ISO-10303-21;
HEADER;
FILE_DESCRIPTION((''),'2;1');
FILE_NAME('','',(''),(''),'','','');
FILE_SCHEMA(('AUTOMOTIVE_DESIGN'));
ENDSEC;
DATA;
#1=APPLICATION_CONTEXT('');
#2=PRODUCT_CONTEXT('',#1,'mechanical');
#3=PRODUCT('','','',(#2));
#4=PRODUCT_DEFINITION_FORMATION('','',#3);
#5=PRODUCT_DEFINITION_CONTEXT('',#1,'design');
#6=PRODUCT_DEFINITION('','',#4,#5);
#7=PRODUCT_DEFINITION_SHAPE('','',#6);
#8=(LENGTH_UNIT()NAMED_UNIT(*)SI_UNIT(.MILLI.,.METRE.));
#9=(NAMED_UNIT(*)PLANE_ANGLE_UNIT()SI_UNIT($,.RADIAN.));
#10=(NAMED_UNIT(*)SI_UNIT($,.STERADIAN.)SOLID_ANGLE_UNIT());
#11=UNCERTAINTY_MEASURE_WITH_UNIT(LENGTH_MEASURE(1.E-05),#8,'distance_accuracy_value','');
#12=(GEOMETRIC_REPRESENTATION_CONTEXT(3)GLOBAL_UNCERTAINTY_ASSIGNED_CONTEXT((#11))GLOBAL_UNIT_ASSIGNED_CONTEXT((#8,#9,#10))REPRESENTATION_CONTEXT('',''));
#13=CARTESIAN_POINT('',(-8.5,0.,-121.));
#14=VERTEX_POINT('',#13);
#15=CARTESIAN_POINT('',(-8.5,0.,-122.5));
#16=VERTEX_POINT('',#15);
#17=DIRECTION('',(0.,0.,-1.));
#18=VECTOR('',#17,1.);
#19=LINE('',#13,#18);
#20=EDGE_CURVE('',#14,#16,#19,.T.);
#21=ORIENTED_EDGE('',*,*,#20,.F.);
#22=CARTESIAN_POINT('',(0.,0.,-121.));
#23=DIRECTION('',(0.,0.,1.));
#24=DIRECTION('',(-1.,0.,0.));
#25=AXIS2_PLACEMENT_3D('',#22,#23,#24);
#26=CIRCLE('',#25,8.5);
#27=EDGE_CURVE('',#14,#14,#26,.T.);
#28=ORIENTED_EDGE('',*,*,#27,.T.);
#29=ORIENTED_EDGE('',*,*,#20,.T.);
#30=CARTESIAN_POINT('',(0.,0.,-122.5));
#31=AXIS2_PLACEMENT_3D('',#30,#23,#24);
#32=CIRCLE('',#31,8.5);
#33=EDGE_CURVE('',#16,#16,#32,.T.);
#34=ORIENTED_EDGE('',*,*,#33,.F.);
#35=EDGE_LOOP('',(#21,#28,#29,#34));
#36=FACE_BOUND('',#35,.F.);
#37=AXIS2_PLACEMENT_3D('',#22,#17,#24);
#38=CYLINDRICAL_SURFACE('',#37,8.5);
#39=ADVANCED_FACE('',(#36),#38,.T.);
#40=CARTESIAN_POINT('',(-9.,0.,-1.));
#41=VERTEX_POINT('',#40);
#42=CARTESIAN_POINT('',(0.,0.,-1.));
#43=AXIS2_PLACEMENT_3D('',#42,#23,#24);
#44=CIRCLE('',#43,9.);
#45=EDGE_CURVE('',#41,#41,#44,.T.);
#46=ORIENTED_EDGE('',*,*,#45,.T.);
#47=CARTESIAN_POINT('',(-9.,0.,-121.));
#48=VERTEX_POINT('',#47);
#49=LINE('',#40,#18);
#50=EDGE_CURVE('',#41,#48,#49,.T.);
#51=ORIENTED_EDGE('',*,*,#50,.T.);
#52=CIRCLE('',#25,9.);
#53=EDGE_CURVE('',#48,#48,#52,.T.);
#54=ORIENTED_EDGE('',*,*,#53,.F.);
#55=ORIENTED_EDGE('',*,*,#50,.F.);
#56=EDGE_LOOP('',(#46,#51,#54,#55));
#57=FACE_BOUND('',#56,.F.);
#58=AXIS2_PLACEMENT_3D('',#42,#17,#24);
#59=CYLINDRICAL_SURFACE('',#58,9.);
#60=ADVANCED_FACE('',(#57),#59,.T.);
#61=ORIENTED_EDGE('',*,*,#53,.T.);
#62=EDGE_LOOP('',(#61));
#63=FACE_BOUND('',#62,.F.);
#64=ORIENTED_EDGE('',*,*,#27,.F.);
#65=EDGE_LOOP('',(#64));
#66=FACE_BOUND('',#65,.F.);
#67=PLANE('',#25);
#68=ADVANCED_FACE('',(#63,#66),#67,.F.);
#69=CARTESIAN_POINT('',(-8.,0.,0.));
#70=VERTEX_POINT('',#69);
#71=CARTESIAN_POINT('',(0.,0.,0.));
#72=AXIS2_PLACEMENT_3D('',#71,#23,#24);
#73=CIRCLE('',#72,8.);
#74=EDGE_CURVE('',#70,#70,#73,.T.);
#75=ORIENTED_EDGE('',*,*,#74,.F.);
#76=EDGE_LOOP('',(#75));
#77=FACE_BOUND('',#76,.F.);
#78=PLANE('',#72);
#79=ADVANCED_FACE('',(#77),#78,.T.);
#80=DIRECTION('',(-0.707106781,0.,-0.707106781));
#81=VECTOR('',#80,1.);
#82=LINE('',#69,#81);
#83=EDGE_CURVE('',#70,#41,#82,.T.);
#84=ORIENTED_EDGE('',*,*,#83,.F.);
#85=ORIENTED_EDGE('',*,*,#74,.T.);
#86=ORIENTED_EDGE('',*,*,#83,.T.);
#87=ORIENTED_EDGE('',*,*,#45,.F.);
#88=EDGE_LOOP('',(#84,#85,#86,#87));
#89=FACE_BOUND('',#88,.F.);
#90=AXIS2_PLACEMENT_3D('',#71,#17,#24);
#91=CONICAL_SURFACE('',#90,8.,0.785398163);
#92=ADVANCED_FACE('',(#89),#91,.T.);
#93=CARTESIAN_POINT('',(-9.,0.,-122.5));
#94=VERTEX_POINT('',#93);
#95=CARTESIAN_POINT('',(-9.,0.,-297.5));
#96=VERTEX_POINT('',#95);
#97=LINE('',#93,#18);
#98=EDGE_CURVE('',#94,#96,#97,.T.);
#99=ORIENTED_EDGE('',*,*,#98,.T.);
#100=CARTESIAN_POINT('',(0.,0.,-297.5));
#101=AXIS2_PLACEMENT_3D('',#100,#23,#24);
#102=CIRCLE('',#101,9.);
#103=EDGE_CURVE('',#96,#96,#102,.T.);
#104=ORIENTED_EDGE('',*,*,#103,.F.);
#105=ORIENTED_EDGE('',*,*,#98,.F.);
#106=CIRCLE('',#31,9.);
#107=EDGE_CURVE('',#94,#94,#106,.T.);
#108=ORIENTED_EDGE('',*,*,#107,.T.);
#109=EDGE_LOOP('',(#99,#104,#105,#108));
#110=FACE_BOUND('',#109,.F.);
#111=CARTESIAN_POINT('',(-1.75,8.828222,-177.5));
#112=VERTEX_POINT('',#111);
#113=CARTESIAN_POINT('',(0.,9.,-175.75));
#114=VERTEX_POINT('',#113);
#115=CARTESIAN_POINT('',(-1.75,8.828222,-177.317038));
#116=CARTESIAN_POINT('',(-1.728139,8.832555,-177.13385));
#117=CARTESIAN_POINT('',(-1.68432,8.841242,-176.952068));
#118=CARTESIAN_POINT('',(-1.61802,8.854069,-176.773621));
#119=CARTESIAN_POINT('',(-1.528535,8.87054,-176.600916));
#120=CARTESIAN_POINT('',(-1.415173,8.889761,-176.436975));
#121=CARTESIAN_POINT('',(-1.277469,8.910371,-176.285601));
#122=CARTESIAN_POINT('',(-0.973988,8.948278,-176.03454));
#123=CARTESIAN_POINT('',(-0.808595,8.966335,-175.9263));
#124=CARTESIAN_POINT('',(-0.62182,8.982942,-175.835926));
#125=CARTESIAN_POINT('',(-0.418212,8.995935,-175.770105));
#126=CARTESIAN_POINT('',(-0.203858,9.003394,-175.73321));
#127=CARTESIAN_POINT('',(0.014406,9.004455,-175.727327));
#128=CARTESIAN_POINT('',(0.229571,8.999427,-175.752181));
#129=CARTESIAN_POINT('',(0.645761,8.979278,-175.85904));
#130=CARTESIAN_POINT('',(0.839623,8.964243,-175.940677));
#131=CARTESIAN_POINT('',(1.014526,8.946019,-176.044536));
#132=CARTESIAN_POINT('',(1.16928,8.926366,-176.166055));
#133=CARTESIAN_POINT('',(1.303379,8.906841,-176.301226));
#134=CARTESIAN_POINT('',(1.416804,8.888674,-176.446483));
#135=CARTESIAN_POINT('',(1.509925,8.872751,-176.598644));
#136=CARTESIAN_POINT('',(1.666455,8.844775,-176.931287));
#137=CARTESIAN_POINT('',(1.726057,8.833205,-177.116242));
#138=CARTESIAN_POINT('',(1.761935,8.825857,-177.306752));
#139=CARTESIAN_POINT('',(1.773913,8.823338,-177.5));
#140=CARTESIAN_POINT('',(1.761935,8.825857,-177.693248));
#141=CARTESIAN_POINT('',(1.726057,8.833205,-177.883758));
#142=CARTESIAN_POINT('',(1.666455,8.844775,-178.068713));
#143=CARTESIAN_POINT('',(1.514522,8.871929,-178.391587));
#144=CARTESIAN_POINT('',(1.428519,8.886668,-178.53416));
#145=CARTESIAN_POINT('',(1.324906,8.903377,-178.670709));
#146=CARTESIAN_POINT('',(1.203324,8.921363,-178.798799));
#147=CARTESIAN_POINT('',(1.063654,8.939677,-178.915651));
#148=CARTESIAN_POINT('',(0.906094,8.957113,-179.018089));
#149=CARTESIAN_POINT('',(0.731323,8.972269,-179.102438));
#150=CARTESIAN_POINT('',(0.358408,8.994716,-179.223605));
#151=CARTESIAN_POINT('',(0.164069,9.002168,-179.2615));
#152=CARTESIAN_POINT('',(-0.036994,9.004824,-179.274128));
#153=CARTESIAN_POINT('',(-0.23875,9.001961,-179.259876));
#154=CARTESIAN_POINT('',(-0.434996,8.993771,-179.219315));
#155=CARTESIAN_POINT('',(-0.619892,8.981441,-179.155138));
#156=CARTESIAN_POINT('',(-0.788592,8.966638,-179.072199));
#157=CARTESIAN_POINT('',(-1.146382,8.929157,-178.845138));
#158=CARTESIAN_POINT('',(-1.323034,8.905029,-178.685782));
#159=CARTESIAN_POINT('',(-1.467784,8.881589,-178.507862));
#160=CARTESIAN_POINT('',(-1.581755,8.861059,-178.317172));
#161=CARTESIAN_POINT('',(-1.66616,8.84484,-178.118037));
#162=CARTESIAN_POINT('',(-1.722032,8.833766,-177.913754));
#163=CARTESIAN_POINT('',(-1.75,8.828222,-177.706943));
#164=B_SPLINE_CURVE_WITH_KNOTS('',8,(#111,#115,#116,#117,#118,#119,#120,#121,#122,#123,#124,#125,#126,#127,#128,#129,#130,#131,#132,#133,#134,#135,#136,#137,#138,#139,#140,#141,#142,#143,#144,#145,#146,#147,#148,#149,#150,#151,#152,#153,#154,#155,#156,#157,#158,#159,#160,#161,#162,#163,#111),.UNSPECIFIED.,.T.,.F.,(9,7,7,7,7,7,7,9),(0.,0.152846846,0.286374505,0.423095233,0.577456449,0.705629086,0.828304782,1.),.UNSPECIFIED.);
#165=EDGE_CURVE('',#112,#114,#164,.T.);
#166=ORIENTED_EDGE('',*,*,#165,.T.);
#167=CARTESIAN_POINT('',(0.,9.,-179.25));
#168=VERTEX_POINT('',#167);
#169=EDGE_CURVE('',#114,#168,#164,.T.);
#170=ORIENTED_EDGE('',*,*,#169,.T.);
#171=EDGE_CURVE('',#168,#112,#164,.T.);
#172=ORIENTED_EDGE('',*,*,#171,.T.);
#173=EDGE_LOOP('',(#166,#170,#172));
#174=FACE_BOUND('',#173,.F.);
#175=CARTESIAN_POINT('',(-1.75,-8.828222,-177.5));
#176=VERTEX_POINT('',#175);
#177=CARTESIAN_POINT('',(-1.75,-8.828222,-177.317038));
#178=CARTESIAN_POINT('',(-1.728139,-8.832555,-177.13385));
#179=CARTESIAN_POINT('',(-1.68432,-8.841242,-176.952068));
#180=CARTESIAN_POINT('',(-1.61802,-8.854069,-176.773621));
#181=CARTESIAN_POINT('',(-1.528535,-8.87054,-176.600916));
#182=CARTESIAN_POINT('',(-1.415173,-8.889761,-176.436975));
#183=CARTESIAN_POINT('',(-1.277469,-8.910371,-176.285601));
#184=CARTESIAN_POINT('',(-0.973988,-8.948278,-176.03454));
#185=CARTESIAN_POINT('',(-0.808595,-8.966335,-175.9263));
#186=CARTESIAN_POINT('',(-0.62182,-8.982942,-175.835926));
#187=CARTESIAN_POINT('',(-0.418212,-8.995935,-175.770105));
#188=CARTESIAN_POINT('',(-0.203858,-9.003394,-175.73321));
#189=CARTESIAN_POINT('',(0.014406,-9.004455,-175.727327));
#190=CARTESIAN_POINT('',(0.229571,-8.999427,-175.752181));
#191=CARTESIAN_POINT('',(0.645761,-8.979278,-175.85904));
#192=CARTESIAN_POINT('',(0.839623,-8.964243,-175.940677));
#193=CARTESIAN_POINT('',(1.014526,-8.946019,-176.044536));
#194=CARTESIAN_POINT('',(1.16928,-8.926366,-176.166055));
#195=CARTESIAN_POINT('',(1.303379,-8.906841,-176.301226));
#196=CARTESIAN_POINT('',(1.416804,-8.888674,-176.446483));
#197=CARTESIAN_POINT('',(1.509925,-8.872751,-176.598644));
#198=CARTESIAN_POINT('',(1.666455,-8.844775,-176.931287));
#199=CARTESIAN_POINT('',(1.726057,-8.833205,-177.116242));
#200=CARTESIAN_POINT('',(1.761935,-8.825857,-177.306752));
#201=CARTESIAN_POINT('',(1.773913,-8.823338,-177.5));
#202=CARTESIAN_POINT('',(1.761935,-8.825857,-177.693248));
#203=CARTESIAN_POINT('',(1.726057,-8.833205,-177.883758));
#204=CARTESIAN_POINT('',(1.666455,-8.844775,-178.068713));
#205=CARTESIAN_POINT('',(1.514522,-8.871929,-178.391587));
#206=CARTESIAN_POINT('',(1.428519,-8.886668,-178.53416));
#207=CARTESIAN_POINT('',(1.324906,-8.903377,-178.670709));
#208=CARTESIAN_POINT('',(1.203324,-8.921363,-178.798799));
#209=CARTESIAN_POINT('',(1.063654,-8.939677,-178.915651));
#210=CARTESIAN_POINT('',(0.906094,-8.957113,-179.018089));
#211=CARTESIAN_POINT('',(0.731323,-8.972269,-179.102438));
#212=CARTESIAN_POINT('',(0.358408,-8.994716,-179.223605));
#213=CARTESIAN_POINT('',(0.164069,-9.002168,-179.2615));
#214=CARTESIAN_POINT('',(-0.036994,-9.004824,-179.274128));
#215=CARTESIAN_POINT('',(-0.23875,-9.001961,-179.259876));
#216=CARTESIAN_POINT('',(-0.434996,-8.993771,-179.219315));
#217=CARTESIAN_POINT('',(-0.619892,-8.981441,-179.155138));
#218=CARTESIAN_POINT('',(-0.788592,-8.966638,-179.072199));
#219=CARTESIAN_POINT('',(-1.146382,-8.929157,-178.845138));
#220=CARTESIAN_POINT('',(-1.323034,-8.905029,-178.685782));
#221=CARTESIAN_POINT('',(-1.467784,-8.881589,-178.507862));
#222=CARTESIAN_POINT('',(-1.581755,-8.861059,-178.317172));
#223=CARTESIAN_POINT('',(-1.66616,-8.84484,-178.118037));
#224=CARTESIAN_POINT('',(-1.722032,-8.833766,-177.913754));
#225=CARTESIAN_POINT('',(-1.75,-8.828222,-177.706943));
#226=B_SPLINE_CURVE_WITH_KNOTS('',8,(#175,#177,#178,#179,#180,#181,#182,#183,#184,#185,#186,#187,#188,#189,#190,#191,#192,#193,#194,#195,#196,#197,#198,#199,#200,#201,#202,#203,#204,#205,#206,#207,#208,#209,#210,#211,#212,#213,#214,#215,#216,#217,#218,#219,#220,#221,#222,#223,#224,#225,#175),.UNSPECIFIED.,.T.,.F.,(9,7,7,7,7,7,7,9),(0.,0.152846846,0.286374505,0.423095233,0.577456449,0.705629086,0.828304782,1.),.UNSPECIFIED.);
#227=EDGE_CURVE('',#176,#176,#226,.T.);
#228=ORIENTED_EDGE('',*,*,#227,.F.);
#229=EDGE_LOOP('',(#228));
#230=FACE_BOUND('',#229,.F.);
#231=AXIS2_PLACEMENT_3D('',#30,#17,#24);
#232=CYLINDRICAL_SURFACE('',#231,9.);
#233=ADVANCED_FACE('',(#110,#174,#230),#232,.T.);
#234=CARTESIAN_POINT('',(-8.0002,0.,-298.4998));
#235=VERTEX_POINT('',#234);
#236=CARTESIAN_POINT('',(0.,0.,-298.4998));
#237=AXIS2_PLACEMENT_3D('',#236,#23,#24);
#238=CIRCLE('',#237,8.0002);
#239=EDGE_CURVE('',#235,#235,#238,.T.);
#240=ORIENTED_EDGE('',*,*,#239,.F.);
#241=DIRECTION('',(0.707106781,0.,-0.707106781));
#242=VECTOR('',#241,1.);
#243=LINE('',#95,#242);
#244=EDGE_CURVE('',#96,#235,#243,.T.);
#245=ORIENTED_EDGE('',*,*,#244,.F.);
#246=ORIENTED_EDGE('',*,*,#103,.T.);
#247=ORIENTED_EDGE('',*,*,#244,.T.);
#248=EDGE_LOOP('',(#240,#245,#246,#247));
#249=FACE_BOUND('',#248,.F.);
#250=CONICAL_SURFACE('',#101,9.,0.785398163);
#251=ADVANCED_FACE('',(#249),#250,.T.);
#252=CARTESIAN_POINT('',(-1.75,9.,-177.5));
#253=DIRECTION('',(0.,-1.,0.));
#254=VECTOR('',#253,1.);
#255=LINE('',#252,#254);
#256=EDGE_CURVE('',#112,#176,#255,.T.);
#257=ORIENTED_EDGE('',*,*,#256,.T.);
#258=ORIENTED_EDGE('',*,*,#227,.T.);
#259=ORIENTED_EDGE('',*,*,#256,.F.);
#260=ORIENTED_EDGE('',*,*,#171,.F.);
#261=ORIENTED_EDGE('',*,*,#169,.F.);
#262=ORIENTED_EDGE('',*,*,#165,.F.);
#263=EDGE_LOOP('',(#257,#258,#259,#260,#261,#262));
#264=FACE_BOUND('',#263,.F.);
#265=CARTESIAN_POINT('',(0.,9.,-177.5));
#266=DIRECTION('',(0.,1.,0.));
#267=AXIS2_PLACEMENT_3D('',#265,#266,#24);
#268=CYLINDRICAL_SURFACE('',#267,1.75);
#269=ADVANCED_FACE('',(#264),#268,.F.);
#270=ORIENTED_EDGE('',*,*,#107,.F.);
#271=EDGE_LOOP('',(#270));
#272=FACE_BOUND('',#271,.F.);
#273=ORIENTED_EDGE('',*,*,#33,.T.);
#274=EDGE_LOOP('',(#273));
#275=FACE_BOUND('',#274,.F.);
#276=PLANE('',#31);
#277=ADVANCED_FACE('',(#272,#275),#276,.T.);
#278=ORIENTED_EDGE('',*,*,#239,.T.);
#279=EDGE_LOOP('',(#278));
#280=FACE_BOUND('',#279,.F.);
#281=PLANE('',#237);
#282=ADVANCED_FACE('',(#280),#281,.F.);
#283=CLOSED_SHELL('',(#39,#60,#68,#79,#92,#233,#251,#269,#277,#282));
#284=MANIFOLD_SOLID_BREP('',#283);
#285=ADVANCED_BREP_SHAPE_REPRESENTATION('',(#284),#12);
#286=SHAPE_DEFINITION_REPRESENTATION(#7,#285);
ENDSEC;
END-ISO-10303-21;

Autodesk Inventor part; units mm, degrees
ref_plane "YZ Plane" through (0, 0, 0) normal (1, 0, 0) x (0, 1, 0)
ref_plane "XY Plane" through (0, 0, 0) normal (0, 0, 1) x (1, 0, 0)
sketch "Sketch1" plane through (0, 0, 0) normal (0, 1, 0) x (-1, 0, 0)
  line L0 (0, 0) -> (8, 0)
  line L1 (8, 0) -> (9, -1)
  line L2 (9, -1) -> (9, -121)
  line L3 (9, -121) -> (8.5, -121)
  line L4 (8.5, -121) -> (8.5, -122.5)
  line L5 (8.5, -122.5) -> (9, -122.5)
  line L6 (9, -297.5) -> (8.0002, -298.4998)
  line L7 (8.0002, -298.4998) -> (0, -298.4998)
  line L8 (0, -298.4998) -> (0, 0)
  line L9 (9, -122.5) -> (9, -297.5)
  dimension "d0" = 120
  dimension "d2" = 1.5
  dimension "d3" = 0.5
  dimension "d4" = 0.5
  dimension "d5" = 135
  dimension "d6" = 9
  dimension "d8" = 175
  dimension "d9" = 1.414
  dimension "d10" = 8
revolve "Shaft" add sketch "Sketch1" angle 360 about axis through (0, 0, -298.4998) along (0, 0, 1)
ref_plane "Hole for pin" through (0, 9, 0) normal (0, 1, 0) x (-1, 0, 0)
sketch "Sketch2" plane through (0, 9, 0) normal (0, 1, 0) x (-1, 0, 0)
  line L0 (-9, -122.5) -> (9, -122.5) projected
  line L1 (-9, -297.5) -> (9, -297.5) projected
  line L2 (-9, -122.5) -> (-9, -297.5) projected
  line L3 (9, -122.5) -> (9, -297.5) projected
  line L4 (9, -172.5) -> (-9, -172.5) construction
  circle A0 centre (0, -177.5) radius 1.75
  point P0 (0, 0)
  dimension "d13" = 50
  dimension "d14" = 3.5
  dimension "d15" = 5
extrude "Pinhole" cut sketch "Sketch2" against normal through all contours A0
properties part number "Håndtag"
